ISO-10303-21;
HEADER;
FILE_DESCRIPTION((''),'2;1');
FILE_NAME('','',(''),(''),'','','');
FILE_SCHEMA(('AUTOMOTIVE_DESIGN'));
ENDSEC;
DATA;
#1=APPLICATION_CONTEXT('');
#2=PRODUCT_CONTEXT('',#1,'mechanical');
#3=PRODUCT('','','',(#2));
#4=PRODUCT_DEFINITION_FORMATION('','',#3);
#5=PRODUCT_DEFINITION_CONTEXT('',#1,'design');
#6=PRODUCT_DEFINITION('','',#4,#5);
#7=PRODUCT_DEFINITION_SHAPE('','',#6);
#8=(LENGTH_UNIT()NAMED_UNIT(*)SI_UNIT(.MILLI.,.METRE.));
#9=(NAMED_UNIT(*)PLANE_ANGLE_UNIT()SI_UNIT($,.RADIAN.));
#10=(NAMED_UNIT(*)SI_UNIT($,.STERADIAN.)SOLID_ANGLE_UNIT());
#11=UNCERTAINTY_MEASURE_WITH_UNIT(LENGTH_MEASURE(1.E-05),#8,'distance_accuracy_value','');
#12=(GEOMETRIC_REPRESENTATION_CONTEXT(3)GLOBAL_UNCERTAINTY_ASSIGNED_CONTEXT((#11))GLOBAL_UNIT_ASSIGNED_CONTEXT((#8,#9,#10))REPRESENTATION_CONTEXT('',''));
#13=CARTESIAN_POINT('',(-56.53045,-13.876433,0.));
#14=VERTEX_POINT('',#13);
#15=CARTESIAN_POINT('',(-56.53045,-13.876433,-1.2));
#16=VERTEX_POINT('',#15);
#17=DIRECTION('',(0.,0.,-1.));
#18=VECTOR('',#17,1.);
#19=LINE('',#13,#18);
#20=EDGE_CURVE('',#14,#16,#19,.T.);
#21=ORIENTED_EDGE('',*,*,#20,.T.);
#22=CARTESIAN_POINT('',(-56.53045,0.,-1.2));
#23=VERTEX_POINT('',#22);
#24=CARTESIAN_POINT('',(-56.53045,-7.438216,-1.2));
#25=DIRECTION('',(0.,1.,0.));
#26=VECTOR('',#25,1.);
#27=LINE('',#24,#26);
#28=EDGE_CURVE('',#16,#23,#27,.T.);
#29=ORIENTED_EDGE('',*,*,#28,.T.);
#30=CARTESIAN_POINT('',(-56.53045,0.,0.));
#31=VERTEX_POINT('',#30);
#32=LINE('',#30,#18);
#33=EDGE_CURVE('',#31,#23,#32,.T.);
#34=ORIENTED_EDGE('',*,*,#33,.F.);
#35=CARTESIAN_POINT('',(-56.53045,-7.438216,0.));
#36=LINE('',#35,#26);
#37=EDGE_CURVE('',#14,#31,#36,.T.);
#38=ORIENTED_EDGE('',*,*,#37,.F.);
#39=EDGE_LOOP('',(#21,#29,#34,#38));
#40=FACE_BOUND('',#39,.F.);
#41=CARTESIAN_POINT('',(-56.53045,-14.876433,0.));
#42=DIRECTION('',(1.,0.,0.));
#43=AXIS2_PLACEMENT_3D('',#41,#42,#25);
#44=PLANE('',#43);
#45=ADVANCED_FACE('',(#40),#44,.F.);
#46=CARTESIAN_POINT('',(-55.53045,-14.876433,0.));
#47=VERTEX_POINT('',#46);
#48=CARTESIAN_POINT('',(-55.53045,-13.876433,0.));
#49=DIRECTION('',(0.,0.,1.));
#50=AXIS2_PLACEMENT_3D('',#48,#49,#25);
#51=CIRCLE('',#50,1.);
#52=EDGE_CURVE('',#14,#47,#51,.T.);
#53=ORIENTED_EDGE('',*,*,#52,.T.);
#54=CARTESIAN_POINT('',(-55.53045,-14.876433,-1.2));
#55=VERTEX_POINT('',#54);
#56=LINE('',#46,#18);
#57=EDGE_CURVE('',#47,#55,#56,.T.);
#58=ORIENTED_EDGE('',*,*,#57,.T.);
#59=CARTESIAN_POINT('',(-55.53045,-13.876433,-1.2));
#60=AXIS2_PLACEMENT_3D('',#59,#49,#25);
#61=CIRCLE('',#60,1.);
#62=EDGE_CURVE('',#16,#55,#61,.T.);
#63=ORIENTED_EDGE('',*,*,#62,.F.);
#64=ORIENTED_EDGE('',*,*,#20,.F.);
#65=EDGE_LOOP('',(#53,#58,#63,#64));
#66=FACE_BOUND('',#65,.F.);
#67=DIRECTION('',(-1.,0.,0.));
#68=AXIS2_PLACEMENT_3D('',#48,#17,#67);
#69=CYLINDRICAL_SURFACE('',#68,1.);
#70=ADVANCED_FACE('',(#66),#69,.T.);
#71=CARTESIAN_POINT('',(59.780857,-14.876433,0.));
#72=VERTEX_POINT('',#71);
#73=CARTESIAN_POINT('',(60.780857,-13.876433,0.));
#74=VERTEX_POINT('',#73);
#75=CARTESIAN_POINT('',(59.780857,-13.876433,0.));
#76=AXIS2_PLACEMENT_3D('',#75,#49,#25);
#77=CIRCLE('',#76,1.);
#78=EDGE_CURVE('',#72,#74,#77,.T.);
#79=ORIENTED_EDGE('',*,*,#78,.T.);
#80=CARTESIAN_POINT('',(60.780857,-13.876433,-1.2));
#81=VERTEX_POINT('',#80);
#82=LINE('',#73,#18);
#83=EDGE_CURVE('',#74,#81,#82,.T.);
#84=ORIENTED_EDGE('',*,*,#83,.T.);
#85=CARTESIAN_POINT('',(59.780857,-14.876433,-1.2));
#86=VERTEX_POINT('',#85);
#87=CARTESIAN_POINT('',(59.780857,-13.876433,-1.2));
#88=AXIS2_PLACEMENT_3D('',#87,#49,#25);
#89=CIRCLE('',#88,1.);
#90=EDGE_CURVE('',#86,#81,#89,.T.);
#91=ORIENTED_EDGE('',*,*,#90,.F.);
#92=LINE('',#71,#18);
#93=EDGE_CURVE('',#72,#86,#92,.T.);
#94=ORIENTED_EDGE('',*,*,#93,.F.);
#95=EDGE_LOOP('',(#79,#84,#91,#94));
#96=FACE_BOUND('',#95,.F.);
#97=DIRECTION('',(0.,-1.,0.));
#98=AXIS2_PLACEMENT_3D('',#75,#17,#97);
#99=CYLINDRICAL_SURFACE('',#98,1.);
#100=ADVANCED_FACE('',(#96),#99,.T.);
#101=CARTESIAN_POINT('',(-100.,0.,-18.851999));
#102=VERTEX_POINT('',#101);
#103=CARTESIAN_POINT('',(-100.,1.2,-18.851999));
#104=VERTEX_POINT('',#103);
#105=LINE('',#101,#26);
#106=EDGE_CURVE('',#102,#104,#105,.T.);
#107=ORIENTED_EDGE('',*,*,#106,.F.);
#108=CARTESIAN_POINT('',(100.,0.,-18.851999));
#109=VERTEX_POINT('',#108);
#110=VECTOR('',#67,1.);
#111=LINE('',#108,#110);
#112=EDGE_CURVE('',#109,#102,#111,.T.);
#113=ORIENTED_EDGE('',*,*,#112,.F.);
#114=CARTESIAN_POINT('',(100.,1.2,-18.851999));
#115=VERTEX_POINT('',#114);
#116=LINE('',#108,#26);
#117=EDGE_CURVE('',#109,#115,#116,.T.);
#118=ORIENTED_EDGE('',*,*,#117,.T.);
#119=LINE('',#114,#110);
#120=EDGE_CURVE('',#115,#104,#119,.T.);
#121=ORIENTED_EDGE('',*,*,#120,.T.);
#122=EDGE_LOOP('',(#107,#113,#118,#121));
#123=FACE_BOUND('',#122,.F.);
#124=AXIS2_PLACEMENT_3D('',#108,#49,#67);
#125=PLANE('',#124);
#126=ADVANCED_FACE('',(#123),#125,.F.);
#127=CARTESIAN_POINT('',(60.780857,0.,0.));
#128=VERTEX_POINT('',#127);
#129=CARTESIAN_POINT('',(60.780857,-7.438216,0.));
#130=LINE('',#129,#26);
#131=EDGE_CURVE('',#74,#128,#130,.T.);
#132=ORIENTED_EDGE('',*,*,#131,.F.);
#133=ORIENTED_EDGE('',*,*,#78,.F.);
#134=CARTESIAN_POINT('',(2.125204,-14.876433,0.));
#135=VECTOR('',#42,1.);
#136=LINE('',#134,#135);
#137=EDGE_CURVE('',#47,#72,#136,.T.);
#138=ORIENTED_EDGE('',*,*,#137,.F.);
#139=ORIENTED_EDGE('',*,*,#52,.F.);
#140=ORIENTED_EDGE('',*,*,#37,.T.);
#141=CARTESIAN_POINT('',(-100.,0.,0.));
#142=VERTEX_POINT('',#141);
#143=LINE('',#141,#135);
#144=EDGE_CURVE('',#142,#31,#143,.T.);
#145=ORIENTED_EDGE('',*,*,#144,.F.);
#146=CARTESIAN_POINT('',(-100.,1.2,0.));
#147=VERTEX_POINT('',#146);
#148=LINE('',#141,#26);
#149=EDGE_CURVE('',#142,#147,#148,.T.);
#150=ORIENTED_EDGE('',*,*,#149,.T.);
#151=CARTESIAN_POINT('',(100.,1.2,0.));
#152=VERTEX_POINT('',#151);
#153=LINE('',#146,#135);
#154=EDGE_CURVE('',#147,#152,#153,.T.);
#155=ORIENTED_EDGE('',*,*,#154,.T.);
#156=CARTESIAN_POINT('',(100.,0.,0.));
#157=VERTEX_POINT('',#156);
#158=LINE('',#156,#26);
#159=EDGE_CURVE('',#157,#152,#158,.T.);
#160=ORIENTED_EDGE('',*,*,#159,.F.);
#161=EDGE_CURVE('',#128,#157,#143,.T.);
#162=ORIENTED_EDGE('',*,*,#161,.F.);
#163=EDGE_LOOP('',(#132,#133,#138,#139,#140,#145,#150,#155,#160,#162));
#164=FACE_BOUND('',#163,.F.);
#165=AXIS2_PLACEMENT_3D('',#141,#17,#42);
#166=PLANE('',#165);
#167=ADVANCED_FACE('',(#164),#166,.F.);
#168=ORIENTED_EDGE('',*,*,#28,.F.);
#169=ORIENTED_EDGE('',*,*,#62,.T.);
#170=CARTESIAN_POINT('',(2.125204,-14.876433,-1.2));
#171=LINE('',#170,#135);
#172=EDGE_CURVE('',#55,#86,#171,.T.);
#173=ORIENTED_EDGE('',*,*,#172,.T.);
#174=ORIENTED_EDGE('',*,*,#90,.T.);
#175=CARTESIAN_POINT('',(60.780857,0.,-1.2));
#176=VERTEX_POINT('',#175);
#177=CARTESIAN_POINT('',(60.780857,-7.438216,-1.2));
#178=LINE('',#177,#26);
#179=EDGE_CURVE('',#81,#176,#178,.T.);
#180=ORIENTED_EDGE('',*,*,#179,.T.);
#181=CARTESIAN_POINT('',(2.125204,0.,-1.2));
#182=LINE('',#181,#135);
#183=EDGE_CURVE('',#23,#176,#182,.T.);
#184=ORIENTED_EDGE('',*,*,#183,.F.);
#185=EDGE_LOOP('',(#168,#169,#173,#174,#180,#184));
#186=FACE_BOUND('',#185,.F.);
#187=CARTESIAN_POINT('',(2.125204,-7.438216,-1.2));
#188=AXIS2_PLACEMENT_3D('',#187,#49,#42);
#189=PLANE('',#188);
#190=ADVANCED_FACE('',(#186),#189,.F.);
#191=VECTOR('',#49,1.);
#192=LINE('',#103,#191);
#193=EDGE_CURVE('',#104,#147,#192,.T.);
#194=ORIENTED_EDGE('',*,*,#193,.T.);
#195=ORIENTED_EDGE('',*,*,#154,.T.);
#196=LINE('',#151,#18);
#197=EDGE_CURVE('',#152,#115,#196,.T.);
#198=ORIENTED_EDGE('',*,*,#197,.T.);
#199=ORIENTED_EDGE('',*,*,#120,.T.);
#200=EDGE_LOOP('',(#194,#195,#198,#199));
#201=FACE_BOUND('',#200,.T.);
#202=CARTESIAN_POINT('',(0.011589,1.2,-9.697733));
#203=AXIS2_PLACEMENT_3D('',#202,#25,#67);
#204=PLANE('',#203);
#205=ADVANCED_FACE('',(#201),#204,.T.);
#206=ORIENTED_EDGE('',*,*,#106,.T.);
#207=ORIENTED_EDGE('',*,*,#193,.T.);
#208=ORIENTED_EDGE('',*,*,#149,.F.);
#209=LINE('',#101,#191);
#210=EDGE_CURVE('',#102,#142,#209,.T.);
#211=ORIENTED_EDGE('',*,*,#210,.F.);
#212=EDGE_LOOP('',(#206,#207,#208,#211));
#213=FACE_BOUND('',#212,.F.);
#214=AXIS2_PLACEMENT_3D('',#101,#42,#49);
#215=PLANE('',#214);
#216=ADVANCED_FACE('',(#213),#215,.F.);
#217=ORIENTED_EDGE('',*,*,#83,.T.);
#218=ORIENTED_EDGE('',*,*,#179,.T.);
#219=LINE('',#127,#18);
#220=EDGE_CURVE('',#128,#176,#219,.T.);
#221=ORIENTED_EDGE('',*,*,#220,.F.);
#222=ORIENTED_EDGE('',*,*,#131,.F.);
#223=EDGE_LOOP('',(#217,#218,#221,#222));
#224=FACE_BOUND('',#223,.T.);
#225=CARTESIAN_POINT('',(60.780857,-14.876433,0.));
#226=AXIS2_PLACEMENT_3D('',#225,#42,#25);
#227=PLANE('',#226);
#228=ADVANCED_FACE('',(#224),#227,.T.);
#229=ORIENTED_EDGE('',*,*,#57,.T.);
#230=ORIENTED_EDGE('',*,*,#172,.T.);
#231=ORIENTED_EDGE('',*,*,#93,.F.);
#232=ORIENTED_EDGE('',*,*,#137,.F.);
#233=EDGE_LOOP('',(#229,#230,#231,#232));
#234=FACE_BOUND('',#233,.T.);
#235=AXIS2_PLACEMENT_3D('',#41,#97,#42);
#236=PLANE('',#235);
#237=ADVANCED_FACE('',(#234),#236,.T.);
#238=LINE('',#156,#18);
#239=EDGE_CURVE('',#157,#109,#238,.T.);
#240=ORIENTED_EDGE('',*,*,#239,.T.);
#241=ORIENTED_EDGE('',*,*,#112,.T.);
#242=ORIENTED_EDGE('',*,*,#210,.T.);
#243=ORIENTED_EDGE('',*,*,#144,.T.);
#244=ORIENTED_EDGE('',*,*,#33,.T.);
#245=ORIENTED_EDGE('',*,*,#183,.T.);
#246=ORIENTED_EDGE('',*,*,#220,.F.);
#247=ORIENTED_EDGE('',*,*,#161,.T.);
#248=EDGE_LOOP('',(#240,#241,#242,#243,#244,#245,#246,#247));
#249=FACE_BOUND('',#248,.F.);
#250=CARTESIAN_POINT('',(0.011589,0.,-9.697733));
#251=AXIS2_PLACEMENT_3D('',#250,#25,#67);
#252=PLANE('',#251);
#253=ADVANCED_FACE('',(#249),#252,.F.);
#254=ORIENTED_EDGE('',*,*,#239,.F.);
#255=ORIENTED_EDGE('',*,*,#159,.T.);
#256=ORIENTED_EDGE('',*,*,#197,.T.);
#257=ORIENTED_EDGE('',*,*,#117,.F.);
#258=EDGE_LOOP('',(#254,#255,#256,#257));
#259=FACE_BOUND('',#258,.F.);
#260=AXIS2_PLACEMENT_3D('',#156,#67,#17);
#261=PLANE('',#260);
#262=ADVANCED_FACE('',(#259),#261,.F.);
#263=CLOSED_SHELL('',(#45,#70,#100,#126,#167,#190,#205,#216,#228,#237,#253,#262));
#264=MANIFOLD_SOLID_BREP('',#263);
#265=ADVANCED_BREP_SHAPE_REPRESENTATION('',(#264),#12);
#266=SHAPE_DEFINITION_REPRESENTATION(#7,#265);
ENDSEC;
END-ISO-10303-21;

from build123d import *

# Parameters (mm, degrees)
F0_W     = 117.3113062978
F0_H     = 14.8764327168
F1_DEPTH = 1.2
F2_R     = 1
F4_DEPTH = 1.2


with BuildPart() as f1:
    # F0 (on Top) → F1 (new body)
    with BuildSketch(Plane.XY):
        with Locations((2.1252036095, -7.4382163584)):
            Rectangle(F0_W, F0_H)
    extrude(amount=-F1_DEPTH)

    # F2
    f2_edges = [f1.edges().sort_by_distance(p)[0] for p in [
        (-56.53045, -14.876433, -0.6),
        (60.780857, -14.876433, -0.6),
    ]]
    fillet(f2_edges, radius=F2_R)

    # F3 (on face) → F4 (join)
    with BuildSketch(Plane(origin=(0, 0, 0), x_dir=(-1, 0, 0), z_dir=(0, 1, 0))):
        Polygon((-60.7808567584, -1.2), (-60.7808567584, 0), (-100, 0), (-100, -18.8519991934), (100, -18.8519991934), (100, 0), (56.5304495394, 0), (56.5304495394, -1.2), align=None)
        Polygon((56.5304495394, 0), (0, 0), (-60.7808567584, 0), (-60.7808567584, -1.2), (56.5304495394, -1.2), align=None)
    extrude(amount=F4_DEPTH)


solid = f1.part
